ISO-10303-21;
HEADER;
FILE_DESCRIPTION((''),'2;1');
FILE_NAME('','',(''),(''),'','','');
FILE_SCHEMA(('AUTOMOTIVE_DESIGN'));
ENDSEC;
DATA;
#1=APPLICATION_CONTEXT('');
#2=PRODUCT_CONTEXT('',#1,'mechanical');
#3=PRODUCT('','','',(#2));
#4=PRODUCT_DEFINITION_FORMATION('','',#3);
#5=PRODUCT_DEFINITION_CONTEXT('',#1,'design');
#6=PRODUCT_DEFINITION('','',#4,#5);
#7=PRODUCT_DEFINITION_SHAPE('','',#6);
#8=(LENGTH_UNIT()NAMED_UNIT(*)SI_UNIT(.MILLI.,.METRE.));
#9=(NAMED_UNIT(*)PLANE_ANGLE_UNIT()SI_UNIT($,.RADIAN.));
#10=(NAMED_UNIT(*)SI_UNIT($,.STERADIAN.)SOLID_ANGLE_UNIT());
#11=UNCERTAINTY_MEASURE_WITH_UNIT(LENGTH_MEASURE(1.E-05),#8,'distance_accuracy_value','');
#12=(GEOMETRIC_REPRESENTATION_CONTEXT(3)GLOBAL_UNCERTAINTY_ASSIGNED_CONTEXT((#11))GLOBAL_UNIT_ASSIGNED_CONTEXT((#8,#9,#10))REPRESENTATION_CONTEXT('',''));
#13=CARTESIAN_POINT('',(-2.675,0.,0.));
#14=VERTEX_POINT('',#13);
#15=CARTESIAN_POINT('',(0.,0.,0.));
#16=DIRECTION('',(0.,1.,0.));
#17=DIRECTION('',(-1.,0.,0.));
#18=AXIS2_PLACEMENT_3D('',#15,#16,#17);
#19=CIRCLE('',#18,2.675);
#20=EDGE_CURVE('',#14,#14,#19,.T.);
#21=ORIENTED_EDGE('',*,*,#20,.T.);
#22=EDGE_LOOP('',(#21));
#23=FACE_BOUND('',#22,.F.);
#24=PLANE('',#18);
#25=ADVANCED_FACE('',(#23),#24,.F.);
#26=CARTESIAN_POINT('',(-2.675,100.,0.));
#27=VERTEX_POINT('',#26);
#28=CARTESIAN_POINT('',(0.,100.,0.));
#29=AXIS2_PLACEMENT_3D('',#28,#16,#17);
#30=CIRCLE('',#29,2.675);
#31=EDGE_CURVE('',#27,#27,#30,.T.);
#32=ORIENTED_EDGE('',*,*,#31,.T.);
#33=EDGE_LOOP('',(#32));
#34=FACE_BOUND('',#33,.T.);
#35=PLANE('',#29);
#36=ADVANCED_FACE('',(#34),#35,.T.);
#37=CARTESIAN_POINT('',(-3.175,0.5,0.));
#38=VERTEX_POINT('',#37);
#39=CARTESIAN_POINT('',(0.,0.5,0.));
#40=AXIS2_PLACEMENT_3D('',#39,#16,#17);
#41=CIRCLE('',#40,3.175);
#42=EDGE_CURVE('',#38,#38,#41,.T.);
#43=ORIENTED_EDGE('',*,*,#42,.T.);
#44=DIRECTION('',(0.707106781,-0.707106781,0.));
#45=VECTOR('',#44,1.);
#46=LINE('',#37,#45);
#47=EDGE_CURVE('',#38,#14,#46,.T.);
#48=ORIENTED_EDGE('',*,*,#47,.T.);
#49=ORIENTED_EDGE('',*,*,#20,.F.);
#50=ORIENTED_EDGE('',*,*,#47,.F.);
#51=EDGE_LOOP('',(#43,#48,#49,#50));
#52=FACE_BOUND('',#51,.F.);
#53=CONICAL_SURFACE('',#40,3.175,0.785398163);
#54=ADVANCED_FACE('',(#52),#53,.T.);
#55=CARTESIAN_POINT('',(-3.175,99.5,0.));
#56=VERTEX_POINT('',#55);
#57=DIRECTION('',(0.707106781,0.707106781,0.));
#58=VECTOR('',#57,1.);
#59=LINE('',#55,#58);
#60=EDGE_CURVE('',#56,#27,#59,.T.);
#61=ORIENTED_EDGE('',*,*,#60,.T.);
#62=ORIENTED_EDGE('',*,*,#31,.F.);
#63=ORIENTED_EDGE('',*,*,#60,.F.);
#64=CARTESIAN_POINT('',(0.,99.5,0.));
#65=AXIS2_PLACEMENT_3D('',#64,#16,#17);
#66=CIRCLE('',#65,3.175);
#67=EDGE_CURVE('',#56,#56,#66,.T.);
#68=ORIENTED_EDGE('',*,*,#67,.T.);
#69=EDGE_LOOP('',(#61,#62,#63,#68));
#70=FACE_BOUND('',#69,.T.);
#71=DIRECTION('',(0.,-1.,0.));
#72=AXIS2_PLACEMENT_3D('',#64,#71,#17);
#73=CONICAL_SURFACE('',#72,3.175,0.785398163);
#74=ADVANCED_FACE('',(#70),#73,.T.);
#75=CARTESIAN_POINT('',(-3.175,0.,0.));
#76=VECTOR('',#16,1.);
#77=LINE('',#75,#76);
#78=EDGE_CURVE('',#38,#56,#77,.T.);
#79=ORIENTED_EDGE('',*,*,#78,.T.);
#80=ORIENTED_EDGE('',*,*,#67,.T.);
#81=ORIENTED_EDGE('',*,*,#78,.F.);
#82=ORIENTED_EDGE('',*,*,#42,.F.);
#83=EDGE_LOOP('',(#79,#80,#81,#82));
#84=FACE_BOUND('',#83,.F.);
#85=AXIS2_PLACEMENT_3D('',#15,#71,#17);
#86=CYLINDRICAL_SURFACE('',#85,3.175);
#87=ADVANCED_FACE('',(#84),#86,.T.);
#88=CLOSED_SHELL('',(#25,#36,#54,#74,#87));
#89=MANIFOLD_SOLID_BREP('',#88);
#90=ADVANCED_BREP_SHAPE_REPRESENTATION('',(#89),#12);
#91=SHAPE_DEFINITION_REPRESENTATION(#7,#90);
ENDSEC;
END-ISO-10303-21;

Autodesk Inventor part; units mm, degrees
ref_plane "YZ Plane" through (0, 0, 0) normal (1, 0, 0) x (0, 1, 0)
ref_plane "XZ Plane" through (0, 0, 0) normal (0, 1, 0) x (-1, 0, 0)
ref_plane "XY Plane" through (0, 0, 0) normal (0, 0, 1) x (1, 0, 0)
sketch "Esboço1" plane through (0, 0, 0) normal (0, 1, 0) x (-1, 0, 0)
  circle A0 centre (0, 0) radius 3.175
  dimension "d0" = 6.35
extrude "Extrusão1" add sketch "Esboço1" along normal blind 100
thread "Rosca2" size "1/4-20 UNC" class "2A" standard "ANSI Unified Screw Threads" full length
chamfer "Chanfro1" distance 0.5 angle 45 2 edges at (3.175, 100, 0) (3.175, 0, 0)
properties part number "barra roscada 100 mm rosca 1 quarto" material "Aço, carbono"
